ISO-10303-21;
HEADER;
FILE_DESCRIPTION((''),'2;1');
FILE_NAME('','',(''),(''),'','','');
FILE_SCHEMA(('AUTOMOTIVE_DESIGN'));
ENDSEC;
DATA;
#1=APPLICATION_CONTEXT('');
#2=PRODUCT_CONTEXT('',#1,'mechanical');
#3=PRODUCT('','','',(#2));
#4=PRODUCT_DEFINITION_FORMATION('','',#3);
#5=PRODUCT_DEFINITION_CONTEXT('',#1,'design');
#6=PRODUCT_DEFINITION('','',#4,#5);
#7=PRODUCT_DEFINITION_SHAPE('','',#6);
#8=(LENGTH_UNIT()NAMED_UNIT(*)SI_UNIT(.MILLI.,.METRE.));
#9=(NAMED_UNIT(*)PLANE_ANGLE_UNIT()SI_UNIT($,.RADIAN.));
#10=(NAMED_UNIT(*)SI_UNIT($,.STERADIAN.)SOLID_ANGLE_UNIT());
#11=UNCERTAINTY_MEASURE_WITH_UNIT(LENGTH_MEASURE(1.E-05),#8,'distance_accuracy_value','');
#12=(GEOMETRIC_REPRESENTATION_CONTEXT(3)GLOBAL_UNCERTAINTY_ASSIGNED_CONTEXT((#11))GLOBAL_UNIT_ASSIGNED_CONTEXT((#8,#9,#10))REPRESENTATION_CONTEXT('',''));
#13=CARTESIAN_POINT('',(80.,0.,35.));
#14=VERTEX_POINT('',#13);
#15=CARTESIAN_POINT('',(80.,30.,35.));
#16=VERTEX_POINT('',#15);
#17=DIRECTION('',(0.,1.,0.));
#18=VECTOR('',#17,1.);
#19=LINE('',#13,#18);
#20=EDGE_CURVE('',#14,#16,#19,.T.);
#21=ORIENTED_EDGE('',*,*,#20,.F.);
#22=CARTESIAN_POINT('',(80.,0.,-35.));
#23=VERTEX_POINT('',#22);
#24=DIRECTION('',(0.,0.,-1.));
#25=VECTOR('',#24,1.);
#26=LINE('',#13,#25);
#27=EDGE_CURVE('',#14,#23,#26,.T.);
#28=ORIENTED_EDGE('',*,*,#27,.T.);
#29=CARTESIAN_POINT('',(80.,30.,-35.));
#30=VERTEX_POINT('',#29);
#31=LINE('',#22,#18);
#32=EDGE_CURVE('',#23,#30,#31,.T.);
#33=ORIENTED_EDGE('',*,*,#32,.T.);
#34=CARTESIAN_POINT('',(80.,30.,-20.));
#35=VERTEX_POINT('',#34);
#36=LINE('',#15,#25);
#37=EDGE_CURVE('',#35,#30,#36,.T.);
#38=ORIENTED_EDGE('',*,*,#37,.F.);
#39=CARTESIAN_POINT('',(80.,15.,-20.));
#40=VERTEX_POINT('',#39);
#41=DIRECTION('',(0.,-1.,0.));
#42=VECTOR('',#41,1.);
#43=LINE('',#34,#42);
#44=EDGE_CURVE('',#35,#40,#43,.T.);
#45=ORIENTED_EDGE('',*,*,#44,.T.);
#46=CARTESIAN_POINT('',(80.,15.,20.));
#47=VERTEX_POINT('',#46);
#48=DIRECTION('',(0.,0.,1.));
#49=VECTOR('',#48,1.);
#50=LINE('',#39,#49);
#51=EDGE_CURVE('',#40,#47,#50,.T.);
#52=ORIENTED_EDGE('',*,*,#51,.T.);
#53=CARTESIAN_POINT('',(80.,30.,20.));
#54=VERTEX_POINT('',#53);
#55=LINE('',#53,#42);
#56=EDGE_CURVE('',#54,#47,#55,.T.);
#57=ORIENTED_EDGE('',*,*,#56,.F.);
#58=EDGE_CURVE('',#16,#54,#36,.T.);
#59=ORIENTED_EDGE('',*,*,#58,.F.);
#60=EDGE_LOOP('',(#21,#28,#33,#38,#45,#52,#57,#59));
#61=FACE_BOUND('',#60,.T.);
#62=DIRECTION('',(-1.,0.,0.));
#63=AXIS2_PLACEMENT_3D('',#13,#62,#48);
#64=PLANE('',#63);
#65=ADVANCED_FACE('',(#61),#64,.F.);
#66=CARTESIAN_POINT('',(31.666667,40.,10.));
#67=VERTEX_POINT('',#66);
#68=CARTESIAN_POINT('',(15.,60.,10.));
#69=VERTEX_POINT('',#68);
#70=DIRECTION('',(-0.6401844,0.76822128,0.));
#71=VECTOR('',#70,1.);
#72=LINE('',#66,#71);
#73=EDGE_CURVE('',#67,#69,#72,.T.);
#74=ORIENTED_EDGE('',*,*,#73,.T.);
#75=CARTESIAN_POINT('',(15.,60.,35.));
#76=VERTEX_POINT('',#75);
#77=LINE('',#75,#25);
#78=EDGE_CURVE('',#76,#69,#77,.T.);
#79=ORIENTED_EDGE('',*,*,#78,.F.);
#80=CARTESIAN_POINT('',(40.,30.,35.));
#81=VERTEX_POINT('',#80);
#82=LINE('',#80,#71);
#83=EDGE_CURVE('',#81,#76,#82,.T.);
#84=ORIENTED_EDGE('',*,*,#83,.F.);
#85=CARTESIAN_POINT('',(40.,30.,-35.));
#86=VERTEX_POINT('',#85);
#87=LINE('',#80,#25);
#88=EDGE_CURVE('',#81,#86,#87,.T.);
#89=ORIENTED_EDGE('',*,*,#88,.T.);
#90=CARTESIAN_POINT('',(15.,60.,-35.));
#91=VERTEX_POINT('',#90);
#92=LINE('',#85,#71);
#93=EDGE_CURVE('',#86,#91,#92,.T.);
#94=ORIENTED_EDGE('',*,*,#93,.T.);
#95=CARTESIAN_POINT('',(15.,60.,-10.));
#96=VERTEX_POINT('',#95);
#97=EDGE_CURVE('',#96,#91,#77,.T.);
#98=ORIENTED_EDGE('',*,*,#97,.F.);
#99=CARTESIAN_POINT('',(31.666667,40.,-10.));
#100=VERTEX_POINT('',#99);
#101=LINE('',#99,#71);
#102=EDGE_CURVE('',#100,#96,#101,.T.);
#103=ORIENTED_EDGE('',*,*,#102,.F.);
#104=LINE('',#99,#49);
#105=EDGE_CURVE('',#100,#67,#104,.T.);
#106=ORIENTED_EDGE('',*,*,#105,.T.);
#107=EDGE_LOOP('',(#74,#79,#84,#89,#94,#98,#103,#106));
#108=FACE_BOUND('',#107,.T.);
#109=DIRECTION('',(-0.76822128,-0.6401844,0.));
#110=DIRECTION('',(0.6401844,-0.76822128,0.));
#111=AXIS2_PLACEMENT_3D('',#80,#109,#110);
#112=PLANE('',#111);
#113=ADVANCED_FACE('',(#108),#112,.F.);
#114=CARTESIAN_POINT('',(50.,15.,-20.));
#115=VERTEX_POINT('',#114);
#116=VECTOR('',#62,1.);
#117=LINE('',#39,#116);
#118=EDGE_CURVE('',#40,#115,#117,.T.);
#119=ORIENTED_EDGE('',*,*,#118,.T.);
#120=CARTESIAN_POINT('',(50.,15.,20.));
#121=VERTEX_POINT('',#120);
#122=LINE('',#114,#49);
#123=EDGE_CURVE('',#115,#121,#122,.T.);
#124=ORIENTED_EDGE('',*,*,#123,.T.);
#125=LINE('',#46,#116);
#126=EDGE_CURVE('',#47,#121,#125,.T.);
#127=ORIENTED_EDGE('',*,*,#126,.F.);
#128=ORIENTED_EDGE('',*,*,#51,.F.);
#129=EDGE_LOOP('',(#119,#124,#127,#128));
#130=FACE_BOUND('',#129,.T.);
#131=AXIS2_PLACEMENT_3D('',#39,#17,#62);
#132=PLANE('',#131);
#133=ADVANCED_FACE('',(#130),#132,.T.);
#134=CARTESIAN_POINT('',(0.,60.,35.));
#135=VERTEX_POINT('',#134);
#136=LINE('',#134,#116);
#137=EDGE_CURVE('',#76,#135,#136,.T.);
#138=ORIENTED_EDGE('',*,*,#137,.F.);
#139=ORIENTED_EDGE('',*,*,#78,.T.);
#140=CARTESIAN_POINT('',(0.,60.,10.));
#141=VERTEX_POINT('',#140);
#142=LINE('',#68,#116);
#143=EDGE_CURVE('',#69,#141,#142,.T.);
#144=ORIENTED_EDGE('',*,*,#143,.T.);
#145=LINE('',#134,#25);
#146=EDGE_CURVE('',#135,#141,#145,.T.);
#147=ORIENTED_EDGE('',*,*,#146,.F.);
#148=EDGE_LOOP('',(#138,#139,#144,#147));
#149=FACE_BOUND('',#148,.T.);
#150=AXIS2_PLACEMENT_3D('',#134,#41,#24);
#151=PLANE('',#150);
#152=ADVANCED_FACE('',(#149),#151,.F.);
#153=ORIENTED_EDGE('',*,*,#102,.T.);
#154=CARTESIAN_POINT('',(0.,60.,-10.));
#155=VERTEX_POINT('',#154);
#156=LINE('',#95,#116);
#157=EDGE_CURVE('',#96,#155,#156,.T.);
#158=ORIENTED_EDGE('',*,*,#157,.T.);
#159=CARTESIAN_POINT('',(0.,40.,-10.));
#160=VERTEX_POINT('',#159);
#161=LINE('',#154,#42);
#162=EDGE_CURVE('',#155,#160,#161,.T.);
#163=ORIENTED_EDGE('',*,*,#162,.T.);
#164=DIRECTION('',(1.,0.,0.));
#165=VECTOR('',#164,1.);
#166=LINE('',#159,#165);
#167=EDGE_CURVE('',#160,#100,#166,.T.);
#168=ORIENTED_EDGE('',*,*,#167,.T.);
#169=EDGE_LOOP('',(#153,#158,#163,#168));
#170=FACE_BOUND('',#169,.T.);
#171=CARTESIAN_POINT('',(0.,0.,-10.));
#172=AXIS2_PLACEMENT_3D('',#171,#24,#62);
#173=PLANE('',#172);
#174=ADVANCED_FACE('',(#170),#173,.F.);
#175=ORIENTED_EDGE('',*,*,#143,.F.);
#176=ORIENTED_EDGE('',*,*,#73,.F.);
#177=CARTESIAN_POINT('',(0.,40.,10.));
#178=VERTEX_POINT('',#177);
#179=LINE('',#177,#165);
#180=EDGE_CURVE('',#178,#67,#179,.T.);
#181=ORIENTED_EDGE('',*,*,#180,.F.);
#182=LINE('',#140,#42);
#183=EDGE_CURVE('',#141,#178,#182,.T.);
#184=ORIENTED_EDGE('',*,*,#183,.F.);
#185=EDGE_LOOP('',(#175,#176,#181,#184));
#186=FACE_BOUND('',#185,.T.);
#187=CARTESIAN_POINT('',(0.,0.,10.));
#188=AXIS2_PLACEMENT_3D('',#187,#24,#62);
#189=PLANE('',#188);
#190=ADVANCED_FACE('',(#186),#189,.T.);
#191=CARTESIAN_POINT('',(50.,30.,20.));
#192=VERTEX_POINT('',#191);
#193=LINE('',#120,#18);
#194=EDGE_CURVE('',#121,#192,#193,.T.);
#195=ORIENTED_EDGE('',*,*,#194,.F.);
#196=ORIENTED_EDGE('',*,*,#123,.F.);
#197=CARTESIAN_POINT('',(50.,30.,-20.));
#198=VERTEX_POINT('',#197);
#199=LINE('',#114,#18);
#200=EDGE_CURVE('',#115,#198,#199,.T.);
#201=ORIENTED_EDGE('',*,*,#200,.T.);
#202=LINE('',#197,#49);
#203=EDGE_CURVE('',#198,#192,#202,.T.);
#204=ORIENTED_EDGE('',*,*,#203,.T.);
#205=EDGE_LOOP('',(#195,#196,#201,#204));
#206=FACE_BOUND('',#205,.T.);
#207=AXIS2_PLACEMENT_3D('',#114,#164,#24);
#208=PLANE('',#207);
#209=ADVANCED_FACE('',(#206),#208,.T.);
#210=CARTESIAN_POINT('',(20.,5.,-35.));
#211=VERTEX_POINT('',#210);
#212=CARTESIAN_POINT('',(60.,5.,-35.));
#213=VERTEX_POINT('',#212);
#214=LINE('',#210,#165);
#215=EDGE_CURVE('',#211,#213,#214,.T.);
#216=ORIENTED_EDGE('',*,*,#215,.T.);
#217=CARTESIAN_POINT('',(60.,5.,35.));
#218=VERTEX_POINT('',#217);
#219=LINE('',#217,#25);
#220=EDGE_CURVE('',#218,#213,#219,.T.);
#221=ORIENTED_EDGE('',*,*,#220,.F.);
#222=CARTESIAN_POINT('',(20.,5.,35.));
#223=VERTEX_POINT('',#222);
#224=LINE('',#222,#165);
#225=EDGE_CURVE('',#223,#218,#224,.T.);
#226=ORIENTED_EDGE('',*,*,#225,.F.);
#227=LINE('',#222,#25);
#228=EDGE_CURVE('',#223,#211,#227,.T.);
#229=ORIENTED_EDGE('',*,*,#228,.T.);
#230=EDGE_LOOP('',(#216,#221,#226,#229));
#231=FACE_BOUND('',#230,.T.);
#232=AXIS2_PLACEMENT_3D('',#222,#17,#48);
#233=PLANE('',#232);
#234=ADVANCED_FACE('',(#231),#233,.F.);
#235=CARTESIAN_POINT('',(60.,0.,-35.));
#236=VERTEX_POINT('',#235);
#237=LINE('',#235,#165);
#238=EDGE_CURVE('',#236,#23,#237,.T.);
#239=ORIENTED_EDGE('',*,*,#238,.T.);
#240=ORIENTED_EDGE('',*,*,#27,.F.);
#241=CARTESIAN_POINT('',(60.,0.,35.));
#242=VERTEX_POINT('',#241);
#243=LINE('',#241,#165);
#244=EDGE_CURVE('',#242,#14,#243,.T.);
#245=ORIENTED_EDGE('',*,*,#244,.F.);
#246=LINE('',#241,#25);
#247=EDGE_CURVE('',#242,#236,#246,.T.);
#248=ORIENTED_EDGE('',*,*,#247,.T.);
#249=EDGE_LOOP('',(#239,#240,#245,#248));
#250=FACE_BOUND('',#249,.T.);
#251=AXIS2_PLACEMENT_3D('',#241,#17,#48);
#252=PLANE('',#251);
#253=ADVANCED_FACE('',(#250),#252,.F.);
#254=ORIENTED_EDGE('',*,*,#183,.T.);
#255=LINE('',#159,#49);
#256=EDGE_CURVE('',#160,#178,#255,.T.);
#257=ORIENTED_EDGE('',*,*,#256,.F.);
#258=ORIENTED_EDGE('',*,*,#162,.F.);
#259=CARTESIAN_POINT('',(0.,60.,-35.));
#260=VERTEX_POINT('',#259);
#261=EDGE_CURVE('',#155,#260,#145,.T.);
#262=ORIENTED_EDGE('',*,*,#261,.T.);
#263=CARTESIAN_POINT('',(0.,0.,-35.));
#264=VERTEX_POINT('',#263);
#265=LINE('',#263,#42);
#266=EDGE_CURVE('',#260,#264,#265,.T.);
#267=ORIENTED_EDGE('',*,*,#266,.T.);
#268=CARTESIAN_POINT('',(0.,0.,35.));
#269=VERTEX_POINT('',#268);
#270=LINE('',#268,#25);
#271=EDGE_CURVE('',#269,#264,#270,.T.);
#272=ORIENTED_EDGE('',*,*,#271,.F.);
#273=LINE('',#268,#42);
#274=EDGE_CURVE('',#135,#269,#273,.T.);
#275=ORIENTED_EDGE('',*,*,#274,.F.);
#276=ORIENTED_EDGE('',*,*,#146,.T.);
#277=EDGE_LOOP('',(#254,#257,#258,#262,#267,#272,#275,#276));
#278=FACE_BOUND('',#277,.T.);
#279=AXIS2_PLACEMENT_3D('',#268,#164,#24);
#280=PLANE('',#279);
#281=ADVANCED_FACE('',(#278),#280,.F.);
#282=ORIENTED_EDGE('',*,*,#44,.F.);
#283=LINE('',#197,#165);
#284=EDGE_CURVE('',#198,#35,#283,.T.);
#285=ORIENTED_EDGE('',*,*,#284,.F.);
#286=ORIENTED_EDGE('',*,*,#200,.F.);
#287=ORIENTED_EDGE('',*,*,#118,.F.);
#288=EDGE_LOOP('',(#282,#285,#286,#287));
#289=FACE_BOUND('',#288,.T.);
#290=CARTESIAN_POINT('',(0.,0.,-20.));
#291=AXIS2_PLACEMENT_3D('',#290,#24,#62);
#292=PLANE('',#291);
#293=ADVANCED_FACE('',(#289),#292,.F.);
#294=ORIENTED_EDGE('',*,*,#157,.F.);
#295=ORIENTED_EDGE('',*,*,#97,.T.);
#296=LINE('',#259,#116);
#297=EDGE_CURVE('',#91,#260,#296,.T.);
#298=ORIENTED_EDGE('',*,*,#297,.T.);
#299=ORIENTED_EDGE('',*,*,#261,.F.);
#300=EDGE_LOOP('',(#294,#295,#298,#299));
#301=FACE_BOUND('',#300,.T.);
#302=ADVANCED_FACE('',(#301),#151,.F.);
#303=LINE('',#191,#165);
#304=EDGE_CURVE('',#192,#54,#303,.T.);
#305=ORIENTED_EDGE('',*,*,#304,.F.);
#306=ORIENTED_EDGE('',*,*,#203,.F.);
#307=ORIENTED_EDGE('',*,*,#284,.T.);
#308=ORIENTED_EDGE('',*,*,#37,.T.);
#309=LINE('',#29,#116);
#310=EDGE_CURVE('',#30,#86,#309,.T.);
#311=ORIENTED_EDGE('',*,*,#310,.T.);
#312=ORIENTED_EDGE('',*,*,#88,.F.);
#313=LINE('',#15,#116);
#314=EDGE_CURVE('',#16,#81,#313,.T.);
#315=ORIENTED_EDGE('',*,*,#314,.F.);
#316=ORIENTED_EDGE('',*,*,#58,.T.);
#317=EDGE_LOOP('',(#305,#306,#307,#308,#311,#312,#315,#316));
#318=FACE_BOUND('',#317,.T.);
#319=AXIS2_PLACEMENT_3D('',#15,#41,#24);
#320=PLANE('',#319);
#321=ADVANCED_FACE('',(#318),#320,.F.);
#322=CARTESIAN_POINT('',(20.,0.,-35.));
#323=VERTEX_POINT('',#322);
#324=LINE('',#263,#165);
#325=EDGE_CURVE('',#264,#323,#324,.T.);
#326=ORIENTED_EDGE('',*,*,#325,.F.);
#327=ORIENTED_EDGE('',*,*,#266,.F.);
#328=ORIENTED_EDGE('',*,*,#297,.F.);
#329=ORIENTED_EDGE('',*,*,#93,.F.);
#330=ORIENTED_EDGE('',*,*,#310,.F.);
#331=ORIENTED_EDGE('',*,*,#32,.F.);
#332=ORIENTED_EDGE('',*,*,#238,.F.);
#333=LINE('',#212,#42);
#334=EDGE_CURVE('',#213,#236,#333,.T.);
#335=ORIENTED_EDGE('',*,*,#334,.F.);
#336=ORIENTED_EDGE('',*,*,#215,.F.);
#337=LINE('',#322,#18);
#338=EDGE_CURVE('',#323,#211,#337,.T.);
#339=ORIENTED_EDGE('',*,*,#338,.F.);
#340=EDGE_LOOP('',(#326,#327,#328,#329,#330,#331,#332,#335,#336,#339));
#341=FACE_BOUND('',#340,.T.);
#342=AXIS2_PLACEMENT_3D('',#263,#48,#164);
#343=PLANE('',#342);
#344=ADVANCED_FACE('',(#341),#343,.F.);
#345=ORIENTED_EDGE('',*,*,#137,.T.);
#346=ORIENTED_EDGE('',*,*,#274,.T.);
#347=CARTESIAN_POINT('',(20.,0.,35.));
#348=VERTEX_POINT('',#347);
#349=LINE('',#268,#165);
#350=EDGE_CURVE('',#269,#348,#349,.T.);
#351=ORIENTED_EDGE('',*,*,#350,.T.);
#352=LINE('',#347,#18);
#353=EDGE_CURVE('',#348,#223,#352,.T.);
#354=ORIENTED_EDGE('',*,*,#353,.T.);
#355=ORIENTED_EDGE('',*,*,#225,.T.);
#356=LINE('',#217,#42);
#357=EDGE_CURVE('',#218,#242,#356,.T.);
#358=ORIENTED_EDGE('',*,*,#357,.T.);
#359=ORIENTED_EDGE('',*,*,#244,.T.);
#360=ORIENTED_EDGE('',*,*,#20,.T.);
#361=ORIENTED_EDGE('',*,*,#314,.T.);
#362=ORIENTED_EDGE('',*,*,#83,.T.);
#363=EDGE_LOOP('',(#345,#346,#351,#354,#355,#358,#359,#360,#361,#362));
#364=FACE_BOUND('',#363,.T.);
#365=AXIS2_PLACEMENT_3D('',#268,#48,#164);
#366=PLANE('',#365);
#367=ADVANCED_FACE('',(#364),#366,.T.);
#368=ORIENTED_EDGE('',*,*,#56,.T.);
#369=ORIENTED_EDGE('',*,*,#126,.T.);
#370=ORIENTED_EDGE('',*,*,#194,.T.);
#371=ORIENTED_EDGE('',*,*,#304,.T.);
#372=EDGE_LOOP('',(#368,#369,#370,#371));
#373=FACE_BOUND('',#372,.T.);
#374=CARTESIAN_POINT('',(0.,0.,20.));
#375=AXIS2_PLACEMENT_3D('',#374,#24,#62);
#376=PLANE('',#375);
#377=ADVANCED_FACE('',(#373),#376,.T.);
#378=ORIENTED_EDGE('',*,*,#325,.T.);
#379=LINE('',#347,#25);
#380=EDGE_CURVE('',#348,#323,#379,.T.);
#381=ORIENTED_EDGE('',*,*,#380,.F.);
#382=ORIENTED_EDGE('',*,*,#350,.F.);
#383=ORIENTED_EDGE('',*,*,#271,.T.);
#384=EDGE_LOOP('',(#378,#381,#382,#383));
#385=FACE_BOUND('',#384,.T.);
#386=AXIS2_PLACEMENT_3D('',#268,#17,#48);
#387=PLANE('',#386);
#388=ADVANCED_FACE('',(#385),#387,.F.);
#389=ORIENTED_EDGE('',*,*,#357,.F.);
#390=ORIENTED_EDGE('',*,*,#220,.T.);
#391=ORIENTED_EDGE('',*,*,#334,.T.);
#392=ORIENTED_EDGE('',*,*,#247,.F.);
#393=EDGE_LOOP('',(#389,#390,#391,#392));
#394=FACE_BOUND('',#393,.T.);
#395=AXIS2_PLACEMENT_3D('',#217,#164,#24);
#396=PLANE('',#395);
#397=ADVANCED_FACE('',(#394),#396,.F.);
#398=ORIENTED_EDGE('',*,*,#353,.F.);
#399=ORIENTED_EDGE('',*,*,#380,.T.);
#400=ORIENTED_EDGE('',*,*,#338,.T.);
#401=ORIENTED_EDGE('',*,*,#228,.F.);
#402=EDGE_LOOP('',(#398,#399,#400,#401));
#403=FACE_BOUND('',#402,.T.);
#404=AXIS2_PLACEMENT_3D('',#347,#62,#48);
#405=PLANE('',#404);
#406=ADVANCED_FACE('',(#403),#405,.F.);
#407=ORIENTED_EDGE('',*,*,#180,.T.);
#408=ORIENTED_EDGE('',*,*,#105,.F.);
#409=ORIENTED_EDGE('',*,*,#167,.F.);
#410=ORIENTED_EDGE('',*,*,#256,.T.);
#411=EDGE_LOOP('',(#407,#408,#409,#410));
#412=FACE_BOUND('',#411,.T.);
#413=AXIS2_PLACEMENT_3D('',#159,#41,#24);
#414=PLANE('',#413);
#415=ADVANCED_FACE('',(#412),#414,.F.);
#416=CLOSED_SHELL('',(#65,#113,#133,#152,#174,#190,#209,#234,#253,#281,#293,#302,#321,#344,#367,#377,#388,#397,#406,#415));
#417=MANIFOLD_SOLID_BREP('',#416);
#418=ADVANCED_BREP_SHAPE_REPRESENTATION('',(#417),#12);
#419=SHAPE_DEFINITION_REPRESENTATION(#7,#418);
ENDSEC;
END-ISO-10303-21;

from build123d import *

# Parameters (mm, degrees)
BOSS_EXTRUDE1_DEPTH = 35
CUT_EXTRUDE1_DEPTH  = 10
SKETCH3_W           = 30
SKETCH3_H           = 15
CUT_EXTRUDE2_DEPTH  = 20


with BuildPart() as part:
    # Sketch1 → Boss-Extrude1 (new body, symmetric)
    with BuildSketch(Plane.XY):
        Polygon((0, 0), (0, 60), (15, 60), (40, 30), (80, 30), (80, 0), (60, 0), (60, 5), (20, 5), (20, 0), align=None)
    extrude(amount=BOSS_EXTRUDE1_DEPTH, both=True)

    # Sketch2 → Cut-Extrude1 (cut, symmetric)
    with BuildSketch(Plane.XY):
        Polygon((15, 60), (0, 60), (0, 40), (31.666666667, 40), align=None)
    extrude(amount=CUT_EXTRUDE1_DEPTH, both=True, mode=Mode.SUBTRACT)

    # Sketch3 → Cut-Extrude2 (cut, symmetric)
    with BuildSketch(Plane.XY):
        with Locations((65, 22.5)):
            Rectangle(SKETCH3_W, SKETCH3_H)
    extrude(amount=CUT_EXTRUDE2_DEPTH, both=True, mode=Mode.SUBTRACT)


solid = part.part
